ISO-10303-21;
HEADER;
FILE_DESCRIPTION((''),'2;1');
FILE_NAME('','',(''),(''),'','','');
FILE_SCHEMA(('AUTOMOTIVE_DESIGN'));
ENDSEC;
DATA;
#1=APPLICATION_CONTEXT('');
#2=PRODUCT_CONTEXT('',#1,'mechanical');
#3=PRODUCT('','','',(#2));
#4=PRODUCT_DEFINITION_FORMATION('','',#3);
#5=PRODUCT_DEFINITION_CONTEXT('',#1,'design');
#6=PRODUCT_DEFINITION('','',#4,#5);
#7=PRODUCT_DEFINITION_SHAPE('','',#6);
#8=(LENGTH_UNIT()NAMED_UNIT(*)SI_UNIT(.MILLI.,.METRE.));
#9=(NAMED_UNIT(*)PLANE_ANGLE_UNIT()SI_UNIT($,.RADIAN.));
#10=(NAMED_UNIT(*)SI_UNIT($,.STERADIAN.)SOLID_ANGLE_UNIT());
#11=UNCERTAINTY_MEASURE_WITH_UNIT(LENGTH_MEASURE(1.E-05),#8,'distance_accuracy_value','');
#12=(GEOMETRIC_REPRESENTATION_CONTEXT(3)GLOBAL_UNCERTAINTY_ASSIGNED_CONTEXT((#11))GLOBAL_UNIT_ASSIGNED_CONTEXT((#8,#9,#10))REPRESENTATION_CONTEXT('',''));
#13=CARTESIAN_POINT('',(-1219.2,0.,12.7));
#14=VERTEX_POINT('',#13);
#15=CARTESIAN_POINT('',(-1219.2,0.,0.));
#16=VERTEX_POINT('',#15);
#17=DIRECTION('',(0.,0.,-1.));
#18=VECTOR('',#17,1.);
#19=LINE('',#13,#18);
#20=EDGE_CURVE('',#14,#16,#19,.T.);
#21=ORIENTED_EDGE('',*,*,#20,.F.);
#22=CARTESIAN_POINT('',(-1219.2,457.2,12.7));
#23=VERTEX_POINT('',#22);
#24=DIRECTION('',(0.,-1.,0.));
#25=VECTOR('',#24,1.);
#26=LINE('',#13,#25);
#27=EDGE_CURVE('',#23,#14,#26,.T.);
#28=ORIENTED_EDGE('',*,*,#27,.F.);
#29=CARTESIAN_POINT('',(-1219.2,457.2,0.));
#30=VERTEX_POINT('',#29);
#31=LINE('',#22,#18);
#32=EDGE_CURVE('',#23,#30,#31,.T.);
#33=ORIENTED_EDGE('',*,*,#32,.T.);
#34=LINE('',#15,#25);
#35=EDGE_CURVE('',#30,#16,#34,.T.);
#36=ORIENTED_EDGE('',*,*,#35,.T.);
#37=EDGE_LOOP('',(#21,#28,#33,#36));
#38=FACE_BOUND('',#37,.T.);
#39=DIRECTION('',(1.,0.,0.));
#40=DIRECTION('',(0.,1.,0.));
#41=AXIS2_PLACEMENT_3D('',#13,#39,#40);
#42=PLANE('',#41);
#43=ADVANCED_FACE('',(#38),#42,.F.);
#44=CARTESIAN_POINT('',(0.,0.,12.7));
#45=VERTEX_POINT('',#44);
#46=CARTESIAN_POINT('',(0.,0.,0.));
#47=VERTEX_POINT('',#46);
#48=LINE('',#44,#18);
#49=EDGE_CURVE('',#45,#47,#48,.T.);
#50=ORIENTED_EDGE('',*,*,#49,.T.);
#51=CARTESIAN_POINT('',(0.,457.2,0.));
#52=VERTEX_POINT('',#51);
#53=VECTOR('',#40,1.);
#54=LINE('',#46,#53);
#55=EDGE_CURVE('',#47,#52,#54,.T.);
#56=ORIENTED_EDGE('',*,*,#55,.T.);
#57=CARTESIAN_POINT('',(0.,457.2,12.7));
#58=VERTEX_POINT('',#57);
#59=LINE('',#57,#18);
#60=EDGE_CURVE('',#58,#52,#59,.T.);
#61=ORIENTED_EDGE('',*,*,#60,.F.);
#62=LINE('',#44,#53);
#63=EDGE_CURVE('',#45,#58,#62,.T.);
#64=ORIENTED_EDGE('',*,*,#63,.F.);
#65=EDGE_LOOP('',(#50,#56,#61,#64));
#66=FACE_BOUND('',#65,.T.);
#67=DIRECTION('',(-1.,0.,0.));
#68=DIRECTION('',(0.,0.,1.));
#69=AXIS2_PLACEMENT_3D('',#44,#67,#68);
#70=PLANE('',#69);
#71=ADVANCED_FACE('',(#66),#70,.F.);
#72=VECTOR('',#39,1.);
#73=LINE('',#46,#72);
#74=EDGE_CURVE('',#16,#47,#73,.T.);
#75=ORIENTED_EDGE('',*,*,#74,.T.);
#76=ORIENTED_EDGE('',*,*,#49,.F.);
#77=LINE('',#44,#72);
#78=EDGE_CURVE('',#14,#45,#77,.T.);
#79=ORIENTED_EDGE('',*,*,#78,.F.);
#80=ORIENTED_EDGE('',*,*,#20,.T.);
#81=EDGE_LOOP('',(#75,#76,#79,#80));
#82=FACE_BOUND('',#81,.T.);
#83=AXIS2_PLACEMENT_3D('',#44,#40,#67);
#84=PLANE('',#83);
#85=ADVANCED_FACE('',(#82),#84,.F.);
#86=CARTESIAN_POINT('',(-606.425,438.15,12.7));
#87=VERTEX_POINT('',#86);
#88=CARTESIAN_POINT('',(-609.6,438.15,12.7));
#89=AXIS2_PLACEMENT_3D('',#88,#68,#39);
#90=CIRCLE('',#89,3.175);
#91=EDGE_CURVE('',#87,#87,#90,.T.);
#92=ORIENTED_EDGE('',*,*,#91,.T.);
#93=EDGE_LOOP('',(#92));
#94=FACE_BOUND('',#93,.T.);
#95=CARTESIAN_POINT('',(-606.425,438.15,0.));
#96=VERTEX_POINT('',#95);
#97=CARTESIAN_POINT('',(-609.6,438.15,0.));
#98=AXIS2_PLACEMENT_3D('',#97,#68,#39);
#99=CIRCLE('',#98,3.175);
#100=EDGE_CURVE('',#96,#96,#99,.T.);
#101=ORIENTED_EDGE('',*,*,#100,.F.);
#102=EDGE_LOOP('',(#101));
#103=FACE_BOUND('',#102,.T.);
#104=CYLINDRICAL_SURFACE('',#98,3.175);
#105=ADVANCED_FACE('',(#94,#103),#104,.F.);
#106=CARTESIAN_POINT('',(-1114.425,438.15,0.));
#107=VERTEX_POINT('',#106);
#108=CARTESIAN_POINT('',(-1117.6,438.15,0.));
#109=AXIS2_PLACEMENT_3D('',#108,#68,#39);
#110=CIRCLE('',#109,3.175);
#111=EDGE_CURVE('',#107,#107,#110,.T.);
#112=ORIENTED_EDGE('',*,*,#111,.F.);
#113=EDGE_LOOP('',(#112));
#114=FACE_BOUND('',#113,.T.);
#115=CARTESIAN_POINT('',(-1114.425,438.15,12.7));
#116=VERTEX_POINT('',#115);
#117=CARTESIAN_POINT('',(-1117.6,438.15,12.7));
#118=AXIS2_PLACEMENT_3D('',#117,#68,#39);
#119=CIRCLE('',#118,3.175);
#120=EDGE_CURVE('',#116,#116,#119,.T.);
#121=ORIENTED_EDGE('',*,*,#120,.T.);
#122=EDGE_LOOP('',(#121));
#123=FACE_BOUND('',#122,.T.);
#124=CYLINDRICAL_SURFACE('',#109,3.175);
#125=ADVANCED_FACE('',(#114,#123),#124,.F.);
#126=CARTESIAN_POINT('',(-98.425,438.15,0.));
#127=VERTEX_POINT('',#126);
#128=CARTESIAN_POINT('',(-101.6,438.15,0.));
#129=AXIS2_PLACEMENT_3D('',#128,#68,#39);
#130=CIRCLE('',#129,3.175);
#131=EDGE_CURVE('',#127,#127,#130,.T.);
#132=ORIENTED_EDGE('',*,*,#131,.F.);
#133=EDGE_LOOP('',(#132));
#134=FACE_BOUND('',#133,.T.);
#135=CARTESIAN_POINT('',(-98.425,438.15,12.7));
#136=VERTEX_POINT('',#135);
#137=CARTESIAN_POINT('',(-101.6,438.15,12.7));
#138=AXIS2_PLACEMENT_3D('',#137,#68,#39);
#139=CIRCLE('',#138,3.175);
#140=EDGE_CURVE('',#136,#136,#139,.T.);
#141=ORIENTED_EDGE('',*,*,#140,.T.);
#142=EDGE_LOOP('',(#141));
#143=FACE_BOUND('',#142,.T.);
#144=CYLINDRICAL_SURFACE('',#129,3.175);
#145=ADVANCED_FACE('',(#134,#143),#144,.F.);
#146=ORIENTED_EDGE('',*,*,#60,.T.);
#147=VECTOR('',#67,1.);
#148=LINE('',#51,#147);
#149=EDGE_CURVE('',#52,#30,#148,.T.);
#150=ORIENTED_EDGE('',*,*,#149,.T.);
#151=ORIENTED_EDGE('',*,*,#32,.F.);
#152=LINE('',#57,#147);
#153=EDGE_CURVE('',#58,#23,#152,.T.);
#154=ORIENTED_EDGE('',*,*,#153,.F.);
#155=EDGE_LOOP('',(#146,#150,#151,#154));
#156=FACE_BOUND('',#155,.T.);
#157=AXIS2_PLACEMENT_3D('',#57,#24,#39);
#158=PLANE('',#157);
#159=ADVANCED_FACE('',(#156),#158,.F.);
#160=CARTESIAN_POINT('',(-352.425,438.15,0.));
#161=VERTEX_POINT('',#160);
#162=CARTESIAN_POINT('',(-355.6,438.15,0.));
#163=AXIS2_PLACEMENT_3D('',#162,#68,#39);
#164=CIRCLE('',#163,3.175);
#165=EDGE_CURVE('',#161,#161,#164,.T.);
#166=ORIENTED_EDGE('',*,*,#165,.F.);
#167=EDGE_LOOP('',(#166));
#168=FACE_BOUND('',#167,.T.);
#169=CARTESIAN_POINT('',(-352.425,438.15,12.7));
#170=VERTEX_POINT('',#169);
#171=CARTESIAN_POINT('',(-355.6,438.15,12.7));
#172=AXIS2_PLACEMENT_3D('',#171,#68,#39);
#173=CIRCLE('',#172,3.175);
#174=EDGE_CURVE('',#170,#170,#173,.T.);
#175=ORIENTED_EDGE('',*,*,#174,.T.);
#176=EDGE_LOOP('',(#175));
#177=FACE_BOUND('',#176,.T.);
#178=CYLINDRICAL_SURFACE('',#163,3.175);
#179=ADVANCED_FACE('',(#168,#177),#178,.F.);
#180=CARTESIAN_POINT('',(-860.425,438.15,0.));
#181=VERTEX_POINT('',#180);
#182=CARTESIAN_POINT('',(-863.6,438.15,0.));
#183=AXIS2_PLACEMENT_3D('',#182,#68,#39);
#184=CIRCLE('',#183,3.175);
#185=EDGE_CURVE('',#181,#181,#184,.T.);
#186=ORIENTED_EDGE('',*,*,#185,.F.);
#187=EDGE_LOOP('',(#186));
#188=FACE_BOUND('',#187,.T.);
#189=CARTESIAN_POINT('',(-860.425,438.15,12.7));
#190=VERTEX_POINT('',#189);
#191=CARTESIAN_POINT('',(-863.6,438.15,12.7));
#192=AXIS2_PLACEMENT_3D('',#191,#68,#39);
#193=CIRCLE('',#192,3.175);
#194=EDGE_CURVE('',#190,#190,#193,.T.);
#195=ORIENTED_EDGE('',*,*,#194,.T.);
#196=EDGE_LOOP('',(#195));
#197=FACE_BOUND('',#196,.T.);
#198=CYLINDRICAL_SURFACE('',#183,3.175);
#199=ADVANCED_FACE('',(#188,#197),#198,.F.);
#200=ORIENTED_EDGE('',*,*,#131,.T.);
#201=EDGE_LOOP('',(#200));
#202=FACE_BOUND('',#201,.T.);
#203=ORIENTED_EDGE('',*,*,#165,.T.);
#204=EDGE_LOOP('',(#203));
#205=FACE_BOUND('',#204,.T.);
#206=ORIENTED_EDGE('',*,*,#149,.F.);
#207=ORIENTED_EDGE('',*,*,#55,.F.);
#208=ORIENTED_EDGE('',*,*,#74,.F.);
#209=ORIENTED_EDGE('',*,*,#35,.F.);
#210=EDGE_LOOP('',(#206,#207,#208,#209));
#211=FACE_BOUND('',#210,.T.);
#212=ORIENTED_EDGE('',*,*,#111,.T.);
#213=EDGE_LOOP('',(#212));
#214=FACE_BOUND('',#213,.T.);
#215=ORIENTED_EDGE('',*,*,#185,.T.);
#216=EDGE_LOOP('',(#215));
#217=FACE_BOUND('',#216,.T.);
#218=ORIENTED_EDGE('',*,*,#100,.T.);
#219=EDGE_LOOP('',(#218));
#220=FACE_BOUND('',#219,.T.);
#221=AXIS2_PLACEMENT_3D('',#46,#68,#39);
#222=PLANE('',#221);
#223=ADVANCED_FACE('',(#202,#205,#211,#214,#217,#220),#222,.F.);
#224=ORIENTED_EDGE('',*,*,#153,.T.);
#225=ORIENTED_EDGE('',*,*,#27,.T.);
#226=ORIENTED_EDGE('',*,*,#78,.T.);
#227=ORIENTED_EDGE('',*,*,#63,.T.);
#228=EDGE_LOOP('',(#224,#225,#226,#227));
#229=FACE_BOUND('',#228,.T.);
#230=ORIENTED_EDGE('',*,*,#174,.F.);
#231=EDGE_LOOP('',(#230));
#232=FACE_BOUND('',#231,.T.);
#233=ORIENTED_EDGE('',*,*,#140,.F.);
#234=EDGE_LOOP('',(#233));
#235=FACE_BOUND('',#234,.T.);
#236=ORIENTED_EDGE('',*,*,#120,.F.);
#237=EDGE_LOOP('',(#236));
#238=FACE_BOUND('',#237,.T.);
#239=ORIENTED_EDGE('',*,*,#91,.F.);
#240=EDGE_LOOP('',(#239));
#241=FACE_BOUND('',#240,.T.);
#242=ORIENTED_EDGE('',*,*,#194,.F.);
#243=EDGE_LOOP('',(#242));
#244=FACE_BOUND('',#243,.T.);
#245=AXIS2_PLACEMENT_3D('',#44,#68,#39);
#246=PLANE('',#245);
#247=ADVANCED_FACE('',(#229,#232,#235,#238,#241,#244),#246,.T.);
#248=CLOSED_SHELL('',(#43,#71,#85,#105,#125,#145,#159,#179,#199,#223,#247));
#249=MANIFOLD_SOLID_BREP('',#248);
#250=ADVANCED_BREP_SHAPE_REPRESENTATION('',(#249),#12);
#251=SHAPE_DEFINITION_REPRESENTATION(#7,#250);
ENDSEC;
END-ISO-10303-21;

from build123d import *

# Parameters (mm, degrees)
SKETCH1_W           = 1219.2
SKETCH1_H           = 457.2
BOSS_EXTRUDE1_DEPTH = 12.7
SKETCH2_R           = 3.175
CUT_EXTRUDE1_DEPTH  = 1303.168103587


with BuildPart() as part:
    # Sketch1 → Boss-Extrude1 (new body)
    with BuildSketch(Plane.XY):
        with Locations((-609.6, 228.6)):
            Rectangle(SKETCH1_W, SKETCH1_H)
    extrude(amount=BOSS_EXTRUDE1_DEPTH)

    # Sketch2 (on Front Plane) → Cut-Extrude1 (cut, through all)
    with BuildSketch(Plane.XY):
        with Locations((-1117.6, 438.15)):
            Circle(SKETCH2_R)
        with Locations((-863.6, 438.15)):
            Circle(SKETCH2_R)
        with Locations((-609.6, 438.15)):
            Circle(SKETCH2_R)
        with Locations((-355.6, 438.15)):
            Circle(SKETCH2_R)
        with Locations((-101.6, 438.15)):
            Circle(SKETCH2_R)
    extrude(amount=CUT_EXTRUDE1_DEPTH, mode=Mode.SUBTRACT)


solid = part.part
